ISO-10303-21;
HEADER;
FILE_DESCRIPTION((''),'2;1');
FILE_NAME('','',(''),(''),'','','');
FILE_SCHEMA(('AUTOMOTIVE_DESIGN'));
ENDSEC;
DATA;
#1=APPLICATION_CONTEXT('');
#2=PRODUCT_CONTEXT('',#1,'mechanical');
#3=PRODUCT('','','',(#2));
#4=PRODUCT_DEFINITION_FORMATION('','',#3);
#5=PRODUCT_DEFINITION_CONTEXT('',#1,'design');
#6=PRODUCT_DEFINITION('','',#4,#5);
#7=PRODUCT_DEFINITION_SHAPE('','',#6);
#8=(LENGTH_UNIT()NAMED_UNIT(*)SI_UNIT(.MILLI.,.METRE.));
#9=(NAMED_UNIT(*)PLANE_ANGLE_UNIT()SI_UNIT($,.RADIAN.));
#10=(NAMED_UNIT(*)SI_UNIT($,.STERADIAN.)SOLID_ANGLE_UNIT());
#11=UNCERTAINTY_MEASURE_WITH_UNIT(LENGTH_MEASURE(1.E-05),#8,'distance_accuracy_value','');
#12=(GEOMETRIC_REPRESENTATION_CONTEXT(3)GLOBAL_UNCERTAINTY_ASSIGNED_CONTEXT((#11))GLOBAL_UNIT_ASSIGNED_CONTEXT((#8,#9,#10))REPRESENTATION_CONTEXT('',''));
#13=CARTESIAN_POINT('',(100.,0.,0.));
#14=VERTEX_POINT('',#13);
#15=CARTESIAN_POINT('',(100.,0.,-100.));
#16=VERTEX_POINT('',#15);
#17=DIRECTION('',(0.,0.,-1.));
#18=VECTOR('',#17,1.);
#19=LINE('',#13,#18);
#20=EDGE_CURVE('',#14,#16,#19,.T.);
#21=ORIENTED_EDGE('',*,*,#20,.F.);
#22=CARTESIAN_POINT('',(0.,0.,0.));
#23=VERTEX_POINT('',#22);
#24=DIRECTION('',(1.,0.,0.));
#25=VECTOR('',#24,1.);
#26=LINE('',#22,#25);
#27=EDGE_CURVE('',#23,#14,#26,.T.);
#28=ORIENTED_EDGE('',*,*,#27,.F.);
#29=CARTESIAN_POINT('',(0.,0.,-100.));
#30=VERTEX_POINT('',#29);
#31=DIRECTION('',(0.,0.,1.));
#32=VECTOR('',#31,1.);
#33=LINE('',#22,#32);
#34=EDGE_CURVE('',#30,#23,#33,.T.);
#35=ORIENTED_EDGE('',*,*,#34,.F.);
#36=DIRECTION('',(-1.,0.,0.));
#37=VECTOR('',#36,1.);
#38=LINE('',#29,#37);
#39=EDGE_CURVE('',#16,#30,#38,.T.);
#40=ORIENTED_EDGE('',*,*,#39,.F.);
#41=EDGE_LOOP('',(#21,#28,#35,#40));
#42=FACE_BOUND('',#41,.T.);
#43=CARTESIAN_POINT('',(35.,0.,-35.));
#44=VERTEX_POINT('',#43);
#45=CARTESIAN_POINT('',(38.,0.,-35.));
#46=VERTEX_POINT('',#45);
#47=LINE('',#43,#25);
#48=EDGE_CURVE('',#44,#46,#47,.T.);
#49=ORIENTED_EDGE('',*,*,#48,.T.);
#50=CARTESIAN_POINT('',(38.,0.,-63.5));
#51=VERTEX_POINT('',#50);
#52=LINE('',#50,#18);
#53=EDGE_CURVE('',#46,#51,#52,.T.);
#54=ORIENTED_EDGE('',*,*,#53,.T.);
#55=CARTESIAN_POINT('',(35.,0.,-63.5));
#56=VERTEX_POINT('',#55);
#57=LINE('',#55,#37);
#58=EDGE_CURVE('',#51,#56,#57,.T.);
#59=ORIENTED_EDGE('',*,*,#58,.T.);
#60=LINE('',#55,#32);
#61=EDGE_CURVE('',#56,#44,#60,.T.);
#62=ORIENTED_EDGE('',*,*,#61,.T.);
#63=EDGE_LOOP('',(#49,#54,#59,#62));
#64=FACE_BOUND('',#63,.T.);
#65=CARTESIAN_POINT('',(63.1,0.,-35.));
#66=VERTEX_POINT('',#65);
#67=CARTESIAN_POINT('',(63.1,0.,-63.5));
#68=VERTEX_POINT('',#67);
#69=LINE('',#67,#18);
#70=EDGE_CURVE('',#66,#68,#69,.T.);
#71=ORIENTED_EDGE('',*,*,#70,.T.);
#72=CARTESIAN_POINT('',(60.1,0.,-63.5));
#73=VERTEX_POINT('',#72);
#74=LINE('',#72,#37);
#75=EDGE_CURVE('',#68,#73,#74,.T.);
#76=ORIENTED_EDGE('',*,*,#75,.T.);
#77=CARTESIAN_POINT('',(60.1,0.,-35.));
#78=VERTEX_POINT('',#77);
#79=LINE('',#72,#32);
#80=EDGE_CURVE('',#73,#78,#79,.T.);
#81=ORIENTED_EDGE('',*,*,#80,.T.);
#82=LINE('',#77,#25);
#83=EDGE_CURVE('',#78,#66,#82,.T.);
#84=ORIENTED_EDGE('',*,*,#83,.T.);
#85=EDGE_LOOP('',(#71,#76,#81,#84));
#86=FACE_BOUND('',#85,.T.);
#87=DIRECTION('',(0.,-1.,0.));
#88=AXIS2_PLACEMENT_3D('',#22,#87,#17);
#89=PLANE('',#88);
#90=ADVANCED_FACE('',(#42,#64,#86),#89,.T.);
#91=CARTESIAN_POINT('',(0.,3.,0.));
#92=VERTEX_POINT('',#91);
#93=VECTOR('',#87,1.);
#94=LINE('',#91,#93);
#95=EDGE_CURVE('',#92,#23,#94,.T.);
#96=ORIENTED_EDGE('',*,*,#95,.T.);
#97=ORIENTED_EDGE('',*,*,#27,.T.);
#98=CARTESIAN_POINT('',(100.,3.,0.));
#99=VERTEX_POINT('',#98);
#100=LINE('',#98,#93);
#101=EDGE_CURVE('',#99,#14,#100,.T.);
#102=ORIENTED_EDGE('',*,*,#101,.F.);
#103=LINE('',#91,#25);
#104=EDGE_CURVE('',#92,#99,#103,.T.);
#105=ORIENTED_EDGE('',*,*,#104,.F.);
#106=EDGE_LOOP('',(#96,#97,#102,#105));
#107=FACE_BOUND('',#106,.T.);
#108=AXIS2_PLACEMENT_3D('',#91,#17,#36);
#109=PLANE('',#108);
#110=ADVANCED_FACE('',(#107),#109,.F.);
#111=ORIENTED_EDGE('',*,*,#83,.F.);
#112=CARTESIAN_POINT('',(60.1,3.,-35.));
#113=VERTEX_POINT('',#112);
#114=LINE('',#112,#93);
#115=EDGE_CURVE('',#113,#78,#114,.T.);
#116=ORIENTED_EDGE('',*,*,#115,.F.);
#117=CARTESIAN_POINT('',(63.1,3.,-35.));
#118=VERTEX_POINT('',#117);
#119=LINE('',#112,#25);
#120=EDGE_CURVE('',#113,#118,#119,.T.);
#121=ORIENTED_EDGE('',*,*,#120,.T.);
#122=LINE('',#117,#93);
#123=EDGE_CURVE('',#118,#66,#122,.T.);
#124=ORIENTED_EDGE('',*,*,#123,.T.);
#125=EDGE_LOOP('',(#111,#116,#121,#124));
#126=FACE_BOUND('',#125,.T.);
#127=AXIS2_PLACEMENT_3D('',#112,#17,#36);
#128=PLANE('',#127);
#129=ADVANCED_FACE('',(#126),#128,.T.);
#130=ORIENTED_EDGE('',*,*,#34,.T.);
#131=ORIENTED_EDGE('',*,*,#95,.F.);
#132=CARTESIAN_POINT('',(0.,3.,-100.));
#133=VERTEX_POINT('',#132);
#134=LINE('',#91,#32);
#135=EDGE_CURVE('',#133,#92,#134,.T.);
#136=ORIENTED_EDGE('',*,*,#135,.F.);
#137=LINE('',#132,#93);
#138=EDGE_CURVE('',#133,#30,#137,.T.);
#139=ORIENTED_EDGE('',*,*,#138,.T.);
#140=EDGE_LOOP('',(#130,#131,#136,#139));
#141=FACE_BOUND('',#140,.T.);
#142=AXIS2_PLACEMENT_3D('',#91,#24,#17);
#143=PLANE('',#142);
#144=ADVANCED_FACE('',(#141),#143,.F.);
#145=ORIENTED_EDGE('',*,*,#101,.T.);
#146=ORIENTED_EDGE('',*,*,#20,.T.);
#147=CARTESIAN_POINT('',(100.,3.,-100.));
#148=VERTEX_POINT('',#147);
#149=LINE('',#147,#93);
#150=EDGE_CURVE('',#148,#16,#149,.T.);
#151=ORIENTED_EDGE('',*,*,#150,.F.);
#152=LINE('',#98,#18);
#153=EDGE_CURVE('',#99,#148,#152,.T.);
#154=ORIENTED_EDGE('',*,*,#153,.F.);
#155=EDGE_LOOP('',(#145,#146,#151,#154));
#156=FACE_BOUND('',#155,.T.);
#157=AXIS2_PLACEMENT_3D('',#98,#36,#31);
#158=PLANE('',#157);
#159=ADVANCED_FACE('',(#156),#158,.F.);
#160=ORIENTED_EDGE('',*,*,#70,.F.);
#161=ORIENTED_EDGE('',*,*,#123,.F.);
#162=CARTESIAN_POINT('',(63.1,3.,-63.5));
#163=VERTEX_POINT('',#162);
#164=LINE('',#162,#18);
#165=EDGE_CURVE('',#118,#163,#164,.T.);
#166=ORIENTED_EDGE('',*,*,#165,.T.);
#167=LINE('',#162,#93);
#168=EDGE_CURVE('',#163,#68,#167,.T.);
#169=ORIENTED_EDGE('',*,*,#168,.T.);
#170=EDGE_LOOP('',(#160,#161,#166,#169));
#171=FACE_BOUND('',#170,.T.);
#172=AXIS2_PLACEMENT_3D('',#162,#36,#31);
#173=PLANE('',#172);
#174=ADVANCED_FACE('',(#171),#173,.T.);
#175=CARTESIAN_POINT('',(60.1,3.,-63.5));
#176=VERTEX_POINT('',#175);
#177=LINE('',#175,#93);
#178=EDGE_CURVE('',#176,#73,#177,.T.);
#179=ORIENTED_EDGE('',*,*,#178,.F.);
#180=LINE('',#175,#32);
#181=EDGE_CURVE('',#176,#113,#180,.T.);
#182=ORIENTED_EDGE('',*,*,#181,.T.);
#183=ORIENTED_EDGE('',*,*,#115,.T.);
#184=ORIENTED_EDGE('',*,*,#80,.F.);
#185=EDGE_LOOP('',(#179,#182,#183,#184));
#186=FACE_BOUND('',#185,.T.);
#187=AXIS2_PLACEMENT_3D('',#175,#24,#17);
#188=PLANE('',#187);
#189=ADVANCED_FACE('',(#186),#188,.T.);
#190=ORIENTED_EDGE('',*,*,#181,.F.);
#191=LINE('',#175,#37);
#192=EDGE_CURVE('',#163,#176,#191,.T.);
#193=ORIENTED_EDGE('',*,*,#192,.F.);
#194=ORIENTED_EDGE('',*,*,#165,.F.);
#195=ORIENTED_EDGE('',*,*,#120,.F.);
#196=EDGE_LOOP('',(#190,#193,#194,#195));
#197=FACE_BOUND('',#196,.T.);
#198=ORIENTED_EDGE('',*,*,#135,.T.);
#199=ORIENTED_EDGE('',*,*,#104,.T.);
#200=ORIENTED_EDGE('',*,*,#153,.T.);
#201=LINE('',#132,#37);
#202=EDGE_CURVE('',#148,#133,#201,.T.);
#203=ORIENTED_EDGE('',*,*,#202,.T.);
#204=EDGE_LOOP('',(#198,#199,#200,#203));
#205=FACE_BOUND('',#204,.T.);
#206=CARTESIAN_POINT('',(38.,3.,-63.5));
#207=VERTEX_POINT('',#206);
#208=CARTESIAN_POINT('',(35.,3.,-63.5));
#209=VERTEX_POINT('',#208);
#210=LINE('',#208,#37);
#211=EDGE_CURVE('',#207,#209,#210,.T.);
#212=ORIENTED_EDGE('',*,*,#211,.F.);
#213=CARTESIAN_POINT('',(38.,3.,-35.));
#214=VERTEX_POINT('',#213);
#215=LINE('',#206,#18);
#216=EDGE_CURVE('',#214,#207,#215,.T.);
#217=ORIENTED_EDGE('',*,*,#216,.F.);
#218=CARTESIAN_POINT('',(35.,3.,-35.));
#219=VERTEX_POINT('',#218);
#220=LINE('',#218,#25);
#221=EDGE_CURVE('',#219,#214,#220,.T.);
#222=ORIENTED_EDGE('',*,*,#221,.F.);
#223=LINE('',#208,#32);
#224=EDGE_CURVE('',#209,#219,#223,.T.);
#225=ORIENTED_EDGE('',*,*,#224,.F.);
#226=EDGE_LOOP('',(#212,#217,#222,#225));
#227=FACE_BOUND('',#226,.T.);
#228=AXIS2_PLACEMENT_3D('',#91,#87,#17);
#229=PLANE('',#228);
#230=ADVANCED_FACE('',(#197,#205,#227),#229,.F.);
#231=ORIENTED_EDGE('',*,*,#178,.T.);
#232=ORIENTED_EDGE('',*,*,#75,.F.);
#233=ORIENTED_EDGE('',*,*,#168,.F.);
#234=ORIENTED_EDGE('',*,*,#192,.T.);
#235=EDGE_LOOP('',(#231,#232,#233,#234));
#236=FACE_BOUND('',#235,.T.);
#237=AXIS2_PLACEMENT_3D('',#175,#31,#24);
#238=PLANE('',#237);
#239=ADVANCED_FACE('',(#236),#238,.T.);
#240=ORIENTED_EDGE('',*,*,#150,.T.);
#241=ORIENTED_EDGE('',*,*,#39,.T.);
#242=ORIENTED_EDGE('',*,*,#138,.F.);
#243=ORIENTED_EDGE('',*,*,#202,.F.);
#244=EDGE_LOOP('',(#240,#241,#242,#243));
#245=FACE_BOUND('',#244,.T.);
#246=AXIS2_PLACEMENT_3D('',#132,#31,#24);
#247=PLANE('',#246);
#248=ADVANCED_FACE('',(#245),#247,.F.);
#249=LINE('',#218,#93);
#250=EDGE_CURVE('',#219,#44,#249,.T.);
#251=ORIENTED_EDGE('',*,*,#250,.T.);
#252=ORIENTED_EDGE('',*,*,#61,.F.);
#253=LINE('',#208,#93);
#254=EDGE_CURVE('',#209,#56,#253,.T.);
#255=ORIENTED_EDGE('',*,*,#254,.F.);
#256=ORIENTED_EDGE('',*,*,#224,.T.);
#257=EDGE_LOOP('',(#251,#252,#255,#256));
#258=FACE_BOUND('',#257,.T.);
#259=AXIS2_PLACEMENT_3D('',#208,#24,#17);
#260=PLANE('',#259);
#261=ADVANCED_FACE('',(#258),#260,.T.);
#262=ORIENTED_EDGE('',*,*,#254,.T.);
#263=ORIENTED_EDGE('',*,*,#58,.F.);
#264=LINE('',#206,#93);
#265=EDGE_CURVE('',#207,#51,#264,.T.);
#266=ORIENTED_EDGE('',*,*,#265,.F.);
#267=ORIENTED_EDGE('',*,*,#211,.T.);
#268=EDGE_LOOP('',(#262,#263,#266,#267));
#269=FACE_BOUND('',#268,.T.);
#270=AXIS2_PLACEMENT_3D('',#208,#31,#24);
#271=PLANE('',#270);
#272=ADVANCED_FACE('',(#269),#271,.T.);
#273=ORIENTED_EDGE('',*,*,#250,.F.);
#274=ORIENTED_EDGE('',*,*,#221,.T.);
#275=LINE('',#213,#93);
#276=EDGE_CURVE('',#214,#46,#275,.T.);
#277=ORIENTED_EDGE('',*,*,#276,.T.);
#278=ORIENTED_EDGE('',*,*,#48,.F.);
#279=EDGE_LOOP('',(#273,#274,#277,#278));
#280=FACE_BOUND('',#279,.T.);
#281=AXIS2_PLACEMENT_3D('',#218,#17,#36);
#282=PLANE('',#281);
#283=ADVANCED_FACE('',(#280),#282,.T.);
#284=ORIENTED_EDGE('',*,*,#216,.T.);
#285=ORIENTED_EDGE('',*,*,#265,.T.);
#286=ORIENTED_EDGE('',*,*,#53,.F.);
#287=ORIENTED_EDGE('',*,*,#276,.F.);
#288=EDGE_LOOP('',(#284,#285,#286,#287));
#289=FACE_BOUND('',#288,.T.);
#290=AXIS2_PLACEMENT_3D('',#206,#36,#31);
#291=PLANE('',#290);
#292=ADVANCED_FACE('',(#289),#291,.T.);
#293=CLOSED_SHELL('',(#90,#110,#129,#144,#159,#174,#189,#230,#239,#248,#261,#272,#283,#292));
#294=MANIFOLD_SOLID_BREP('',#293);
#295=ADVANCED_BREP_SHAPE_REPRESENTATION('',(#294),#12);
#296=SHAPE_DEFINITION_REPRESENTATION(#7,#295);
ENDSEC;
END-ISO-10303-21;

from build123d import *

# Parameters (mm, degrees)
BAIXOBASEESB_W           = 100
BAIXOBASEESB_H           = 100
BAIXOBASEESB_W_2         = 3
BAIXOBASEESB_H_2         = 28.5
RESSALTO_EXTRUS_O1_DEPTH = 3


with BuildPart() as part:
    # BaixoBaseEsb → Ressalto-extrusão1 (new body)
    with BuildSketch(Plane(origin=(0, 0, 0), x_dir=(1, 0, 0), z_dir=(0, 1, 0))):
        with Locations((50, 50)):
            Rectangle(BAIXOBASEESB_W, BAIXOBASEESB_H)
        with Locations((36.5, 49.25)):
            Rectangle(BAIXOBASEESB_W_2, BAIXOBASEESB_H_2, mode=Mode.SUBTRACT)
        with Locations((61.6, 49.25)):
            Rectangle(BAIXOBASEESB_W_2, BAIXOBASEESB_H_2, mode=Mode.SUBTRACT)
    extrude(amount=RESSALTO_EXTRUS_O1_DEPTH)


solid = part.part
